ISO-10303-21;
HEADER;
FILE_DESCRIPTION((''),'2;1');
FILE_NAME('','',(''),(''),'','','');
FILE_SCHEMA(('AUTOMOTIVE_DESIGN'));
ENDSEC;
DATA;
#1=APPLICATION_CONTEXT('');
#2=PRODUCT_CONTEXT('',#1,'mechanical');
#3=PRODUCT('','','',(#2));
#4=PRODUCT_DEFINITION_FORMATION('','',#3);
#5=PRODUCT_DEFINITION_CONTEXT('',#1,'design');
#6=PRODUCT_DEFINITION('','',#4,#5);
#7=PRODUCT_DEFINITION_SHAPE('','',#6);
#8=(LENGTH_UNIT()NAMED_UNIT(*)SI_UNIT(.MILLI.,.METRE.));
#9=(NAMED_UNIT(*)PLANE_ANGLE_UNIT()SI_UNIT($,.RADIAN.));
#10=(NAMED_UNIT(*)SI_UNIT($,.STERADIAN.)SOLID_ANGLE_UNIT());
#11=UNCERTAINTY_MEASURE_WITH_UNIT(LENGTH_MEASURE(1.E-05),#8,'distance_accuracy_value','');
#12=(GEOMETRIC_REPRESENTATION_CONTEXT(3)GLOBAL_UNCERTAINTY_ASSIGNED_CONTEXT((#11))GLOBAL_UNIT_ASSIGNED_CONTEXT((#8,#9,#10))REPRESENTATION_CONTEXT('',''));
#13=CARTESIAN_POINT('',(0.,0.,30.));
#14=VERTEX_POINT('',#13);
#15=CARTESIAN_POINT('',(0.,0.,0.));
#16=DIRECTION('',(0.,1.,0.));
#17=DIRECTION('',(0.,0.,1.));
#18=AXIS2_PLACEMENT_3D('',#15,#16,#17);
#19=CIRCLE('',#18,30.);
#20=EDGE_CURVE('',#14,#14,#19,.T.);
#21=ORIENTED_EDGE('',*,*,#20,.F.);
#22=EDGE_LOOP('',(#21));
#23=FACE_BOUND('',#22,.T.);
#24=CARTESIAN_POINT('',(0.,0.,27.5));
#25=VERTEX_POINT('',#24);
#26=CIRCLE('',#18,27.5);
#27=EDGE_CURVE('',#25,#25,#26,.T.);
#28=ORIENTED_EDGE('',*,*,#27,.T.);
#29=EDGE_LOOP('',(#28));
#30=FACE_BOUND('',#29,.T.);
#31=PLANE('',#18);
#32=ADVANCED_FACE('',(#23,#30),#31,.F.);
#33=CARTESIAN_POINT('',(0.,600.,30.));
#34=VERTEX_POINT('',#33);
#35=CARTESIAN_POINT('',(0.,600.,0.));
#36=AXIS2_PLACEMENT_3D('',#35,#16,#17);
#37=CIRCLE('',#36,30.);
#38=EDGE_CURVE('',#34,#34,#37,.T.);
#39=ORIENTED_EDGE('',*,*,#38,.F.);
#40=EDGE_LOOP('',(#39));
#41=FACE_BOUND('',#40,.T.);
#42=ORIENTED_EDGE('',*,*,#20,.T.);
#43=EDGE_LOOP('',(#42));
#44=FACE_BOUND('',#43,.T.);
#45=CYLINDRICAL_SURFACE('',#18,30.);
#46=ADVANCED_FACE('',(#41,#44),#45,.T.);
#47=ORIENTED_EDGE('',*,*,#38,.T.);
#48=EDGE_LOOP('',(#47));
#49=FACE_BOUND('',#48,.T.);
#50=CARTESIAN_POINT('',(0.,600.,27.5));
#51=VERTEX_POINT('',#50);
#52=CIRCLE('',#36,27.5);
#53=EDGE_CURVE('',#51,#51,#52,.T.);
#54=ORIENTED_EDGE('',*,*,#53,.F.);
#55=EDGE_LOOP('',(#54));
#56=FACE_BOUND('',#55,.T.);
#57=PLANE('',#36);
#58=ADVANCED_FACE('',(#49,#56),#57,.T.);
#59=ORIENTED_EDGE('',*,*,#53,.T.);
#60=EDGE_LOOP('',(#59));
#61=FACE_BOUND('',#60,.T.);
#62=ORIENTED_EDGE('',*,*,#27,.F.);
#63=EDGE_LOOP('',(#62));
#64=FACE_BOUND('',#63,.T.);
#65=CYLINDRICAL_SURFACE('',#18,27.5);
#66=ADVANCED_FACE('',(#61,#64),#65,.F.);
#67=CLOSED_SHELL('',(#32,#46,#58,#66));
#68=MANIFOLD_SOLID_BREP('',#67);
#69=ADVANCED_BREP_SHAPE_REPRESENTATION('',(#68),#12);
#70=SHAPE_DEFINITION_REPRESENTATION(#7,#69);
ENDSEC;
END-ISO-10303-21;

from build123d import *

# Parameters (mm, degrees)
VARREDURA1_PROFILE_R = 30
CASCA1_T             = -2.5


with BuildPart() as part:
    # Varredura1: sweep along a curve in space
    with BuildLine() as varredura1_path:
        Line((0, 0, 0), (0, 600, 0))
    # Varredura1 profile (on start of the path) → Varredura1 (sweep)
    with BuildSketch(Plane.ZX):
        Circle(VARREDURA1_PROFILE_R)
    sweep(path=varredura1_path.line)

    # Casca1
    casca1_openings = [part.faces().sort_by_distance(p)[0] for p in [
        (0, 600, 0),
        (0, 0, 0),
    ]]
    offset(amount=CASCA1_T, openings=casca1_openings, kind=Kind.INTERSECTION)


solid = part.part
